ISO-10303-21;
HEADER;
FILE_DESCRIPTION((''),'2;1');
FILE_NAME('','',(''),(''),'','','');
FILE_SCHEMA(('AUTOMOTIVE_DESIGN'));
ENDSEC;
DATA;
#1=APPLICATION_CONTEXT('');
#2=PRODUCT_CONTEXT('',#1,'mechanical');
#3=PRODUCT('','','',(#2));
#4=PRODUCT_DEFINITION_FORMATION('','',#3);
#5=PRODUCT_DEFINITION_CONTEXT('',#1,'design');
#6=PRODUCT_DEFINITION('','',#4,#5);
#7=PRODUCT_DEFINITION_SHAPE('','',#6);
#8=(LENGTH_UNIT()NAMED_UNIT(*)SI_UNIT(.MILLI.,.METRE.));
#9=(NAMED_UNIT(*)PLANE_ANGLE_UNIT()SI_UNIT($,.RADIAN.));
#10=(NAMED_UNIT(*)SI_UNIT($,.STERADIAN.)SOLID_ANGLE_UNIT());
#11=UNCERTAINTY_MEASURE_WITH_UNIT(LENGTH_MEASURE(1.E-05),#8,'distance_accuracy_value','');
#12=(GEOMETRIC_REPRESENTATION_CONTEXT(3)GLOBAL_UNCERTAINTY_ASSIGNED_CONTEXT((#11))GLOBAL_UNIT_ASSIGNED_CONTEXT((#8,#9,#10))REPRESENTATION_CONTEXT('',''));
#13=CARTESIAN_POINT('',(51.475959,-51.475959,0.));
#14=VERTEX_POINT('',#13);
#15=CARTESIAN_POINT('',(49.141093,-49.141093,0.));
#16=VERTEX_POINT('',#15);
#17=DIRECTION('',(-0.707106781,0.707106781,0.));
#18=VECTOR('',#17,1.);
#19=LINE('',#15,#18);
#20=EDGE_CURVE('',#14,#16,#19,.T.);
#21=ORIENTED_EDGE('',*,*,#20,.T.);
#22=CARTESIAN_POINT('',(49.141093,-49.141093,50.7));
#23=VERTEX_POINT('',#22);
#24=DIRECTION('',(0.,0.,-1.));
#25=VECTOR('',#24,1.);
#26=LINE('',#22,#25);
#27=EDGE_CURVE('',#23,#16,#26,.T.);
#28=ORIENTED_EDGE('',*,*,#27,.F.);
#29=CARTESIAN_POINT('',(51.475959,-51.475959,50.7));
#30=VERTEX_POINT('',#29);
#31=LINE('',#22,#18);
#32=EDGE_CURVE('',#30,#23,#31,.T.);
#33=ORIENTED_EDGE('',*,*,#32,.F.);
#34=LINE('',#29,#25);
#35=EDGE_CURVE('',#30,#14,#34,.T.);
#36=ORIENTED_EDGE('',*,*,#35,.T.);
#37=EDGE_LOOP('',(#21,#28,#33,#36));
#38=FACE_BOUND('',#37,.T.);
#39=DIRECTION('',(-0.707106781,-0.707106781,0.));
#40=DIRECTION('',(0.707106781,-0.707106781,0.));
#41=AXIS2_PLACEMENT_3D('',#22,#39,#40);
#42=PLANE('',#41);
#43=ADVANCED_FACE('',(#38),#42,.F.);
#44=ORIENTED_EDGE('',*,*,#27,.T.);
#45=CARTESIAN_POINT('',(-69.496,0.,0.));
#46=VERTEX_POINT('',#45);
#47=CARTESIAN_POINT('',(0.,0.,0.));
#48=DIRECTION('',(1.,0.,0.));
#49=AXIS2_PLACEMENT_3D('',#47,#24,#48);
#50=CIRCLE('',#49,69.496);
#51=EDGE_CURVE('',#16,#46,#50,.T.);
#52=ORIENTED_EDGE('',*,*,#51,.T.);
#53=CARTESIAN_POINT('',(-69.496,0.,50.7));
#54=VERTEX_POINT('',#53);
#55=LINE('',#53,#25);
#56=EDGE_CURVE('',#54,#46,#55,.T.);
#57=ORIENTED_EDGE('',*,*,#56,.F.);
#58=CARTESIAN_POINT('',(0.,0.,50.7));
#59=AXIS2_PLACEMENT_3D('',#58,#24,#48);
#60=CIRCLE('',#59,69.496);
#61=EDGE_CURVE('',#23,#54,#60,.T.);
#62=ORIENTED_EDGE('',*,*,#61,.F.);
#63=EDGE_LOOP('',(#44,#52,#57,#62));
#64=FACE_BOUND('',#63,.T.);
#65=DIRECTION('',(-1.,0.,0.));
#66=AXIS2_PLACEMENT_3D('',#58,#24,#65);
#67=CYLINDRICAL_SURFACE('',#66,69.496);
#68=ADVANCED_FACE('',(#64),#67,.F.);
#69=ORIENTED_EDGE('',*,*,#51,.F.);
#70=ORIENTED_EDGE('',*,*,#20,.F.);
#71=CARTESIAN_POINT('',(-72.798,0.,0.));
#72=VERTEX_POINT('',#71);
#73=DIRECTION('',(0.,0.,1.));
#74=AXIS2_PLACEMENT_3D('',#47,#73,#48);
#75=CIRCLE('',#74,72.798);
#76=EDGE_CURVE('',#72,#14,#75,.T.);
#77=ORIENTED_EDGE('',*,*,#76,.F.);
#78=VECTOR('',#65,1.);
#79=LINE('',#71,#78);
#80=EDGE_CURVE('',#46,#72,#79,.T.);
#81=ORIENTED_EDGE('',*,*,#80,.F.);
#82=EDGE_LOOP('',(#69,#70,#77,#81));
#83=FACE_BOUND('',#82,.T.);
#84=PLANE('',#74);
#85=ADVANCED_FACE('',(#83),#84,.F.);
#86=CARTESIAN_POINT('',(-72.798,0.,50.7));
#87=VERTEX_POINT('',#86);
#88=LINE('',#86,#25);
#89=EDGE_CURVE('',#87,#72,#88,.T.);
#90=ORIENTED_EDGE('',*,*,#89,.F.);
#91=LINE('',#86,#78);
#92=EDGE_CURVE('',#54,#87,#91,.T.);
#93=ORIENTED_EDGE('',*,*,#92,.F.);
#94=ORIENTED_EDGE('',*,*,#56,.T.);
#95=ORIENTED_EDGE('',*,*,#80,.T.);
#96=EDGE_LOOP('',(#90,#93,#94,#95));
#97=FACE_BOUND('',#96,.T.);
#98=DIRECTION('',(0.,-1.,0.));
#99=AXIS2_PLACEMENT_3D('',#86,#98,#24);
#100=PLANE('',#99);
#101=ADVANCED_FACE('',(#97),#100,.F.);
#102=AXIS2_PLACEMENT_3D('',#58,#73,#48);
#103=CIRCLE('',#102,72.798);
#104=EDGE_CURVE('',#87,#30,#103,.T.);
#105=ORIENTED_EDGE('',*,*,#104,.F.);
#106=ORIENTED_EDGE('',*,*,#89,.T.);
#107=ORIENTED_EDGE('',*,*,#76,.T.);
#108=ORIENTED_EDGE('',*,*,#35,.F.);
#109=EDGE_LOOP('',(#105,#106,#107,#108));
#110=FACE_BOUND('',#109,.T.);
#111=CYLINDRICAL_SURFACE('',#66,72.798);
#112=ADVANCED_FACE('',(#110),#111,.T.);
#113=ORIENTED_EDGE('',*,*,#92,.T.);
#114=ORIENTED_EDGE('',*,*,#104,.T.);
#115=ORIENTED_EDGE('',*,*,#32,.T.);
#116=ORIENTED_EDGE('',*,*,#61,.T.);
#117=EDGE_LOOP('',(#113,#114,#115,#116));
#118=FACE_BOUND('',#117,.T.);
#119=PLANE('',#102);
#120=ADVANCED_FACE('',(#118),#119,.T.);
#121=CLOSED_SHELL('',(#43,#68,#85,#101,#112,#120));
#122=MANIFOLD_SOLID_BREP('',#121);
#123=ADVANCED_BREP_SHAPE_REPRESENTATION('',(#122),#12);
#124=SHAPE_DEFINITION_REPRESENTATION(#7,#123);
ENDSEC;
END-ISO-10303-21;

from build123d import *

# Parameters (mm, degrees)
BOSS_EXTRUDE1_DEPTH = 50.699999946


with BuildPart() as part:
    # Sketch1 → Boss-Extrude1 (new body)
    with BuildSketch(Plane.XY):
        with BuildLine():
            Line((-72.797999946, 0), (-69.495999946, 0))
            ThreePointArc((-69.495999946, 0), (-26.594967795, -64.205931942), (49.141092827, -49.141092827))
            Line((49.141092827, -49.141092827), (51.475959419, -51.475959419))
            ThreePointArc((51.475959419, -51.475959419), (-27.858588489, -67.256582158), (-72.797999946, 0))
        make_face()
    extrude(amount=BOSS_EXTRUDE1_DEPTH)


solid = part.part
